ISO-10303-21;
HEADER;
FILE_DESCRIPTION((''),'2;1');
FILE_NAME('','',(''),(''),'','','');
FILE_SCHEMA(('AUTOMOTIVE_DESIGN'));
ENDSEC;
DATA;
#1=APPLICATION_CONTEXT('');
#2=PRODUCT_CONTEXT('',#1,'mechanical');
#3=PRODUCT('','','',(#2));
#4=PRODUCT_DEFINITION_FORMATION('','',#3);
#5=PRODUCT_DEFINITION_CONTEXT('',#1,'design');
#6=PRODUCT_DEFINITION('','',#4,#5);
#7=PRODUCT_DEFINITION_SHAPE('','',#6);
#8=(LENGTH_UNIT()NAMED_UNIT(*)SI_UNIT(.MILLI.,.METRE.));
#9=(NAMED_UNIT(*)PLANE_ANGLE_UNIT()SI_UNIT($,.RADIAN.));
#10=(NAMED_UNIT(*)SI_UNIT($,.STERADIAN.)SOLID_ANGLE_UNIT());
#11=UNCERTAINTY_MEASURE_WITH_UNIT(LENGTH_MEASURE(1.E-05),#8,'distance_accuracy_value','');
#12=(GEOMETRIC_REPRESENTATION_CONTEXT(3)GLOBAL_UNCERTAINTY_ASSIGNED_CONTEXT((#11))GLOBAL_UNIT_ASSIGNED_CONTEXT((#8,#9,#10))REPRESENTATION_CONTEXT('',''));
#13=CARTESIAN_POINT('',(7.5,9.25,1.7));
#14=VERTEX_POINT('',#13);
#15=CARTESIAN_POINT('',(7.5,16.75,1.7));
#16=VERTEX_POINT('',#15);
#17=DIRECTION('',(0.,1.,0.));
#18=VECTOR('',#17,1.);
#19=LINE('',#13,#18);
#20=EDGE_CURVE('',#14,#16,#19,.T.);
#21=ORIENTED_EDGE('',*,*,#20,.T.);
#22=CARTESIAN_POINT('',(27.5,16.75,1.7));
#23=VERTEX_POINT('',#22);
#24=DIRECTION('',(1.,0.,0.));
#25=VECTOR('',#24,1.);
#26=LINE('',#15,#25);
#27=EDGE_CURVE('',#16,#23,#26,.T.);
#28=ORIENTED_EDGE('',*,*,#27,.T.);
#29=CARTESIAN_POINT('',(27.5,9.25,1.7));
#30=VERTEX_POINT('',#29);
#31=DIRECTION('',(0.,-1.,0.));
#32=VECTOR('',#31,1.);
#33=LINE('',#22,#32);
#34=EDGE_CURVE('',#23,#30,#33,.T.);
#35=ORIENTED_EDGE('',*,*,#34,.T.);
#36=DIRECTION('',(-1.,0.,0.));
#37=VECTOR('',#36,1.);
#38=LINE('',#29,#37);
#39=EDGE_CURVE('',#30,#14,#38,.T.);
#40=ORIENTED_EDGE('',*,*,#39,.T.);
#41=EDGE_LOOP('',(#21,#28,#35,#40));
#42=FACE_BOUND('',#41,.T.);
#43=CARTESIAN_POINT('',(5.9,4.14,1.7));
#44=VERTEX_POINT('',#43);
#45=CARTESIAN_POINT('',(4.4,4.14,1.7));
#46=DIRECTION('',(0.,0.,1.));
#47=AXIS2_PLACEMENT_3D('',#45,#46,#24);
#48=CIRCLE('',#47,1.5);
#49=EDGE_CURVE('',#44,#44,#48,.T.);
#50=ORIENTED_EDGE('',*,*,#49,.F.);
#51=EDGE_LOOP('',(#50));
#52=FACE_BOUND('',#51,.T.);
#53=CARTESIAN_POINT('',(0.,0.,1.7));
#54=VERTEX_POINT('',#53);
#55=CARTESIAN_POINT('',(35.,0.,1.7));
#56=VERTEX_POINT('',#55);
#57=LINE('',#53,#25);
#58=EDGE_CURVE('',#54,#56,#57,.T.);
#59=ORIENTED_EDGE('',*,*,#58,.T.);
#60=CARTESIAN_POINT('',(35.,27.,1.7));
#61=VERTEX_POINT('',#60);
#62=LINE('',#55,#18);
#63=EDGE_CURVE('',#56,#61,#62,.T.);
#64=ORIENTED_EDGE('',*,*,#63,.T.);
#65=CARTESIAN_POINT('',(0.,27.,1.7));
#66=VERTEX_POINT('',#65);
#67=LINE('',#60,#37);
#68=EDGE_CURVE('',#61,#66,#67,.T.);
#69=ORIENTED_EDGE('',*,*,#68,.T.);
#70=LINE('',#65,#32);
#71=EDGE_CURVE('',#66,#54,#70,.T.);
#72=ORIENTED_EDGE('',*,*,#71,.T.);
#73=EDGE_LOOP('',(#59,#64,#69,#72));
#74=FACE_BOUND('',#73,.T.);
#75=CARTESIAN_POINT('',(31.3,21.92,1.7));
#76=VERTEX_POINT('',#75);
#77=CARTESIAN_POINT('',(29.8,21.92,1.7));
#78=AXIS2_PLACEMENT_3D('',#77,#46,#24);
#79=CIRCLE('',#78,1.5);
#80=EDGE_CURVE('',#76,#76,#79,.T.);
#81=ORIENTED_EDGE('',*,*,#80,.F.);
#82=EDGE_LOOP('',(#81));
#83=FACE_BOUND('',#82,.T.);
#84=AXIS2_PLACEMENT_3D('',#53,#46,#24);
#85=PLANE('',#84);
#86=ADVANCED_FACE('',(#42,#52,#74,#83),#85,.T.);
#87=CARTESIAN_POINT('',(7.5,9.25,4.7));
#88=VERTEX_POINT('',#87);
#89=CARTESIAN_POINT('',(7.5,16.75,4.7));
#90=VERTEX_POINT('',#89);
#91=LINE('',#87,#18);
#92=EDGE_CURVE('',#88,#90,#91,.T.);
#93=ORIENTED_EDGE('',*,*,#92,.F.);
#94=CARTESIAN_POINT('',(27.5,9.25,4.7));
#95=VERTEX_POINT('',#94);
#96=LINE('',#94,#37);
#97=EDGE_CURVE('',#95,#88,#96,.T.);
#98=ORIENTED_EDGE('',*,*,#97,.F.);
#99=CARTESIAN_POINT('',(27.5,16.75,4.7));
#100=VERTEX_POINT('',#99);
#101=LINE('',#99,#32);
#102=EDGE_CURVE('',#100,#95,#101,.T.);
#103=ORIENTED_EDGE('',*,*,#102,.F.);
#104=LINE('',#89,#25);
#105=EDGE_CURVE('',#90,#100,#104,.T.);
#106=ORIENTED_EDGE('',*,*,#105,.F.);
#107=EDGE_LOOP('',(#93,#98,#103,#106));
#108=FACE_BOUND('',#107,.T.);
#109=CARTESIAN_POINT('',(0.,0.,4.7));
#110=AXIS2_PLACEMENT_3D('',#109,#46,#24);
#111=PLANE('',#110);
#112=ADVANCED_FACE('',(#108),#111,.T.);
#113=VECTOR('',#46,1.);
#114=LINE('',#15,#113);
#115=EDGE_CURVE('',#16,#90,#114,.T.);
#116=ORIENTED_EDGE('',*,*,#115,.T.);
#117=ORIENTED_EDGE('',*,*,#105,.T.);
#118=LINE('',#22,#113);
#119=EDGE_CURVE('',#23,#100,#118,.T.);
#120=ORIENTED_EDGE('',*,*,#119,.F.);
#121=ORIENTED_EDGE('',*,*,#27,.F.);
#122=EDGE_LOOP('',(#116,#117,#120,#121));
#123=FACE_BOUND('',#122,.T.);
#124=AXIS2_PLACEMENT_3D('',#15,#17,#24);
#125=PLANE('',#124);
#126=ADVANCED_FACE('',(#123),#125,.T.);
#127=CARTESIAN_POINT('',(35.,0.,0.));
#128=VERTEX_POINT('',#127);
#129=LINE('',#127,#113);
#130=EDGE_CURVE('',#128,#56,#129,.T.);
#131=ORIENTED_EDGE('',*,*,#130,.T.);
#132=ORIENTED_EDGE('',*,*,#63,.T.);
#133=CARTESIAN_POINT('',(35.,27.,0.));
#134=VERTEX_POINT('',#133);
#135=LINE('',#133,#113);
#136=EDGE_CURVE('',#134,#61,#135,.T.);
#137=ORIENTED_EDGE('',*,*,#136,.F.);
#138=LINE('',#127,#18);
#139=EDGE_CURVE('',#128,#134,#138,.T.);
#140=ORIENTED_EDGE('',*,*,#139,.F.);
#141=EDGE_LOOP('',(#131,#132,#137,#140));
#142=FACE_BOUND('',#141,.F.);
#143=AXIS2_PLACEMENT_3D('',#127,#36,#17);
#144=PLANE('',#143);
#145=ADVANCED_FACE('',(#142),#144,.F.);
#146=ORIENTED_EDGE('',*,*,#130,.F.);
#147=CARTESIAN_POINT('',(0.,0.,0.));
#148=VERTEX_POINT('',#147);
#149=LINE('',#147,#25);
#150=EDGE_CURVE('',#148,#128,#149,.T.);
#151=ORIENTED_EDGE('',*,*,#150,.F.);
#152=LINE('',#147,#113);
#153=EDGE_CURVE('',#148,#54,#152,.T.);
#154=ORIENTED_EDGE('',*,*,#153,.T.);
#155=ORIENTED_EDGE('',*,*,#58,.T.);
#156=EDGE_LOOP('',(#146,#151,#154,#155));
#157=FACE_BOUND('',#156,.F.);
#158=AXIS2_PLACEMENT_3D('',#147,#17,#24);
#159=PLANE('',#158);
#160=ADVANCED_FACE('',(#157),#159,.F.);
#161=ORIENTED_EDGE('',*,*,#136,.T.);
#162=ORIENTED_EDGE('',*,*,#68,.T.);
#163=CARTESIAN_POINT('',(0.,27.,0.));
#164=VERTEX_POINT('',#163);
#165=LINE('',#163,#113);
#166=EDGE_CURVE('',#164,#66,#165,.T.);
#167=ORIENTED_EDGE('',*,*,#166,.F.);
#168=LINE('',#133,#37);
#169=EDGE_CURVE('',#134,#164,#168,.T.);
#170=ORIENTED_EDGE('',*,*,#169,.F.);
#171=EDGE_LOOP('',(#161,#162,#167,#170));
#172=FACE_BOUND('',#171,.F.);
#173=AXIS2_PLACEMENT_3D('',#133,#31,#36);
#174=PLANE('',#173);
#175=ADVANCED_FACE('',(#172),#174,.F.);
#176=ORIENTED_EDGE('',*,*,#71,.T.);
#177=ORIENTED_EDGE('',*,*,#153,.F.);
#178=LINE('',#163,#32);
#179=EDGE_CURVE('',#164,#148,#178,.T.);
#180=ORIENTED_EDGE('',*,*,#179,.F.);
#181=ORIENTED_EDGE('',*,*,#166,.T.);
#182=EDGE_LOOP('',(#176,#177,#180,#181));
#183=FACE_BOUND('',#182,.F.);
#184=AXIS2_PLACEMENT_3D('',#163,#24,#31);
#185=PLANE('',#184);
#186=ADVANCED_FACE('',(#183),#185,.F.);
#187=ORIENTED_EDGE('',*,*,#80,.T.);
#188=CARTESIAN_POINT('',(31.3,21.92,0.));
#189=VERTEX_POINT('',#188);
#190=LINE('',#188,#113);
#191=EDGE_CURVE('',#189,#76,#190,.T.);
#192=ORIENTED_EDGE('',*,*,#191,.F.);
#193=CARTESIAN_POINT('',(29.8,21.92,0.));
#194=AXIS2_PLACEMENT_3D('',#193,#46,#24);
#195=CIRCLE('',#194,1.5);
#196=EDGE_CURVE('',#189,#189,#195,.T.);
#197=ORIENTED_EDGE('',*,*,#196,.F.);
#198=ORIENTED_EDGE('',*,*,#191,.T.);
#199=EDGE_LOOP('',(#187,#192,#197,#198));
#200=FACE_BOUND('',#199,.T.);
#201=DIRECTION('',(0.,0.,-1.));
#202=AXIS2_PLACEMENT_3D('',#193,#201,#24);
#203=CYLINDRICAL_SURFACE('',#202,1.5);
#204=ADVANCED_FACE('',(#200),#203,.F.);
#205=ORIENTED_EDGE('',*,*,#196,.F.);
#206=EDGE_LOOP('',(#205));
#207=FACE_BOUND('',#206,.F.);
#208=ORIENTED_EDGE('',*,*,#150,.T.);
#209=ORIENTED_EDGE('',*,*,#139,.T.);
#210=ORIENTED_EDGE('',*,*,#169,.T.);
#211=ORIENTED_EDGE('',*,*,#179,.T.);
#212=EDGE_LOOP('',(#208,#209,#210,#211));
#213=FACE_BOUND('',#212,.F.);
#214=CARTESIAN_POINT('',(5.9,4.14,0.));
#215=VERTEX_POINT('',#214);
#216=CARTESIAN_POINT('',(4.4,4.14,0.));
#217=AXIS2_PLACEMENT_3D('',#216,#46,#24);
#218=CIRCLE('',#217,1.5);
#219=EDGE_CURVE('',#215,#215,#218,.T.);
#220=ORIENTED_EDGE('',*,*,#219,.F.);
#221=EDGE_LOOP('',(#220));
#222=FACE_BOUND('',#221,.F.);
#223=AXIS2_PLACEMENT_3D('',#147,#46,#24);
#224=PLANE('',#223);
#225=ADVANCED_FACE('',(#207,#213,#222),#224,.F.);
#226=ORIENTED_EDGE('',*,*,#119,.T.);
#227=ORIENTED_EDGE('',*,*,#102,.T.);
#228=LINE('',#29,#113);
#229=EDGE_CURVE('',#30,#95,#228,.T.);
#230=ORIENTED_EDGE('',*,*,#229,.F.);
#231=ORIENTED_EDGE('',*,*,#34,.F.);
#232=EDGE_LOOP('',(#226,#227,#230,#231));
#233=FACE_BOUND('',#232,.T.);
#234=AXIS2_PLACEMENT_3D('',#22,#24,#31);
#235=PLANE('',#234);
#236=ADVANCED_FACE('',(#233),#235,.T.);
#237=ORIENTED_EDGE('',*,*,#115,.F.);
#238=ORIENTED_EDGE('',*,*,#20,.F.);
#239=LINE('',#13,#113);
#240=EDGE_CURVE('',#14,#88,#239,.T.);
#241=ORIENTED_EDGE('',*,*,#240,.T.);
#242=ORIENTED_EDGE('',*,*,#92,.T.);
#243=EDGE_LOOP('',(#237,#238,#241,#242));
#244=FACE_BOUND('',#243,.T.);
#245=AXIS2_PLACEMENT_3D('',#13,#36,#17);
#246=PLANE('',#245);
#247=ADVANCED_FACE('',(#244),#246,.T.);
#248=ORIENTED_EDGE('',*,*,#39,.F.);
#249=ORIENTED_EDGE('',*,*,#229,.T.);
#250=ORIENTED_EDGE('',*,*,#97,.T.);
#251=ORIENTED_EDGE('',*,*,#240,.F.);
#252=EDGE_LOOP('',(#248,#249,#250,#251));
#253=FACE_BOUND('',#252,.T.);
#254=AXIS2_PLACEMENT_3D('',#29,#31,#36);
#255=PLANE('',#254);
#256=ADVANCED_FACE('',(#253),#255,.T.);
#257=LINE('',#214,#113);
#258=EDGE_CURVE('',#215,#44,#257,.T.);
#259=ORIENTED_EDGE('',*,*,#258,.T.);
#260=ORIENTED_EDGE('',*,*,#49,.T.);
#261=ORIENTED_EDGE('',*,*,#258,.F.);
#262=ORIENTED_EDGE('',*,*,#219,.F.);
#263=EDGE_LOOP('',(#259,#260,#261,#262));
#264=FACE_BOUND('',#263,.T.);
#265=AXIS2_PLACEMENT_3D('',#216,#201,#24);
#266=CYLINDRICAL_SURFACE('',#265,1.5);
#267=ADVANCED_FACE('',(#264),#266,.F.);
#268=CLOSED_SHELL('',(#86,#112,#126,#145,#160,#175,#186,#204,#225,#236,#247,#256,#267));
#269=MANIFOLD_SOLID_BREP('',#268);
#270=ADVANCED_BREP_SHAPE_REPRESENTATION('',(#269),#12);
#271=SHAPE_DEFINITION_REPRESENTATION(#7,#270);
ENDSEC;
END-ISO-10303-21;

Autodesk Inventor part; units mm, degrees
ref_plane "YZ Plane" through (0, 0, 0) normal (1, 0, 0) x (0, 1, 0)
ref_plane "XZ Plane" through (0, 0, 0) normal (0, 1, 0) x (-1, 0, 0)
ref_plane "XY Plane" through (0, 0, 0) normal (0, 0, 1) x (1, 0, 0)
sketch "Sketch1" plane through (0, 0, 0) normal (0, 0, 1) x (1, 0, 0)
  line L0 (0, 0) -> (35, 0)
  line L1 (35, 0) -> (35, 27)
  line L2 (35, 27) -> (0, 27)
  line L3 (0, 27) -> (0, 0)
  circle A0 centre (4.4, 4.14) radius 1.5
  circle A1 centre (29.8, 21.92) radius 1.5
  dimension "d0" = 35
  dimension "d1" = 27
  dimension "d2" = 3
  dimension "d3" = 3
  dimension "d4" = 25.4
  dimension "d5" = 4.4
  dimension "d6" = 5.08
  dimension "d7" = 17.78
extrude "Extrusion1" add sketch "Sketch1" along normal blind 1.7
sketch "Sketch2" plane through (0, 0, 1.7) normal (0, 0, 1) x (1, 0, 0)
  line L0 (7.5, 16.75) -> (27.5, 16.75)
  line L1 (27.5, 16.75) -> (27.5, 9.25)
  line L2 (27.5, 9.25) -> (7.5, 9.25)
  line L3 (7.5, 9.25) -> (7.5, 16.75)
  line L4 (0, 27) -> (0, 0) projected
  line L5 (35, 0) -> (35, 27) projected
  line L6 (35, 27) -> (0, 27) projected
  point P0 (27.5, 13)
  point P1 (17.5, 16.75)
  dimension "d10" = 7.5
  dimension "d11" = 7.5
  dimension "d12" = 7.5
  dimension "d13" = 10.25
extrude "Extrusion2" add sketch "Sketch2" along normal blind 3
properties part number "293D"
